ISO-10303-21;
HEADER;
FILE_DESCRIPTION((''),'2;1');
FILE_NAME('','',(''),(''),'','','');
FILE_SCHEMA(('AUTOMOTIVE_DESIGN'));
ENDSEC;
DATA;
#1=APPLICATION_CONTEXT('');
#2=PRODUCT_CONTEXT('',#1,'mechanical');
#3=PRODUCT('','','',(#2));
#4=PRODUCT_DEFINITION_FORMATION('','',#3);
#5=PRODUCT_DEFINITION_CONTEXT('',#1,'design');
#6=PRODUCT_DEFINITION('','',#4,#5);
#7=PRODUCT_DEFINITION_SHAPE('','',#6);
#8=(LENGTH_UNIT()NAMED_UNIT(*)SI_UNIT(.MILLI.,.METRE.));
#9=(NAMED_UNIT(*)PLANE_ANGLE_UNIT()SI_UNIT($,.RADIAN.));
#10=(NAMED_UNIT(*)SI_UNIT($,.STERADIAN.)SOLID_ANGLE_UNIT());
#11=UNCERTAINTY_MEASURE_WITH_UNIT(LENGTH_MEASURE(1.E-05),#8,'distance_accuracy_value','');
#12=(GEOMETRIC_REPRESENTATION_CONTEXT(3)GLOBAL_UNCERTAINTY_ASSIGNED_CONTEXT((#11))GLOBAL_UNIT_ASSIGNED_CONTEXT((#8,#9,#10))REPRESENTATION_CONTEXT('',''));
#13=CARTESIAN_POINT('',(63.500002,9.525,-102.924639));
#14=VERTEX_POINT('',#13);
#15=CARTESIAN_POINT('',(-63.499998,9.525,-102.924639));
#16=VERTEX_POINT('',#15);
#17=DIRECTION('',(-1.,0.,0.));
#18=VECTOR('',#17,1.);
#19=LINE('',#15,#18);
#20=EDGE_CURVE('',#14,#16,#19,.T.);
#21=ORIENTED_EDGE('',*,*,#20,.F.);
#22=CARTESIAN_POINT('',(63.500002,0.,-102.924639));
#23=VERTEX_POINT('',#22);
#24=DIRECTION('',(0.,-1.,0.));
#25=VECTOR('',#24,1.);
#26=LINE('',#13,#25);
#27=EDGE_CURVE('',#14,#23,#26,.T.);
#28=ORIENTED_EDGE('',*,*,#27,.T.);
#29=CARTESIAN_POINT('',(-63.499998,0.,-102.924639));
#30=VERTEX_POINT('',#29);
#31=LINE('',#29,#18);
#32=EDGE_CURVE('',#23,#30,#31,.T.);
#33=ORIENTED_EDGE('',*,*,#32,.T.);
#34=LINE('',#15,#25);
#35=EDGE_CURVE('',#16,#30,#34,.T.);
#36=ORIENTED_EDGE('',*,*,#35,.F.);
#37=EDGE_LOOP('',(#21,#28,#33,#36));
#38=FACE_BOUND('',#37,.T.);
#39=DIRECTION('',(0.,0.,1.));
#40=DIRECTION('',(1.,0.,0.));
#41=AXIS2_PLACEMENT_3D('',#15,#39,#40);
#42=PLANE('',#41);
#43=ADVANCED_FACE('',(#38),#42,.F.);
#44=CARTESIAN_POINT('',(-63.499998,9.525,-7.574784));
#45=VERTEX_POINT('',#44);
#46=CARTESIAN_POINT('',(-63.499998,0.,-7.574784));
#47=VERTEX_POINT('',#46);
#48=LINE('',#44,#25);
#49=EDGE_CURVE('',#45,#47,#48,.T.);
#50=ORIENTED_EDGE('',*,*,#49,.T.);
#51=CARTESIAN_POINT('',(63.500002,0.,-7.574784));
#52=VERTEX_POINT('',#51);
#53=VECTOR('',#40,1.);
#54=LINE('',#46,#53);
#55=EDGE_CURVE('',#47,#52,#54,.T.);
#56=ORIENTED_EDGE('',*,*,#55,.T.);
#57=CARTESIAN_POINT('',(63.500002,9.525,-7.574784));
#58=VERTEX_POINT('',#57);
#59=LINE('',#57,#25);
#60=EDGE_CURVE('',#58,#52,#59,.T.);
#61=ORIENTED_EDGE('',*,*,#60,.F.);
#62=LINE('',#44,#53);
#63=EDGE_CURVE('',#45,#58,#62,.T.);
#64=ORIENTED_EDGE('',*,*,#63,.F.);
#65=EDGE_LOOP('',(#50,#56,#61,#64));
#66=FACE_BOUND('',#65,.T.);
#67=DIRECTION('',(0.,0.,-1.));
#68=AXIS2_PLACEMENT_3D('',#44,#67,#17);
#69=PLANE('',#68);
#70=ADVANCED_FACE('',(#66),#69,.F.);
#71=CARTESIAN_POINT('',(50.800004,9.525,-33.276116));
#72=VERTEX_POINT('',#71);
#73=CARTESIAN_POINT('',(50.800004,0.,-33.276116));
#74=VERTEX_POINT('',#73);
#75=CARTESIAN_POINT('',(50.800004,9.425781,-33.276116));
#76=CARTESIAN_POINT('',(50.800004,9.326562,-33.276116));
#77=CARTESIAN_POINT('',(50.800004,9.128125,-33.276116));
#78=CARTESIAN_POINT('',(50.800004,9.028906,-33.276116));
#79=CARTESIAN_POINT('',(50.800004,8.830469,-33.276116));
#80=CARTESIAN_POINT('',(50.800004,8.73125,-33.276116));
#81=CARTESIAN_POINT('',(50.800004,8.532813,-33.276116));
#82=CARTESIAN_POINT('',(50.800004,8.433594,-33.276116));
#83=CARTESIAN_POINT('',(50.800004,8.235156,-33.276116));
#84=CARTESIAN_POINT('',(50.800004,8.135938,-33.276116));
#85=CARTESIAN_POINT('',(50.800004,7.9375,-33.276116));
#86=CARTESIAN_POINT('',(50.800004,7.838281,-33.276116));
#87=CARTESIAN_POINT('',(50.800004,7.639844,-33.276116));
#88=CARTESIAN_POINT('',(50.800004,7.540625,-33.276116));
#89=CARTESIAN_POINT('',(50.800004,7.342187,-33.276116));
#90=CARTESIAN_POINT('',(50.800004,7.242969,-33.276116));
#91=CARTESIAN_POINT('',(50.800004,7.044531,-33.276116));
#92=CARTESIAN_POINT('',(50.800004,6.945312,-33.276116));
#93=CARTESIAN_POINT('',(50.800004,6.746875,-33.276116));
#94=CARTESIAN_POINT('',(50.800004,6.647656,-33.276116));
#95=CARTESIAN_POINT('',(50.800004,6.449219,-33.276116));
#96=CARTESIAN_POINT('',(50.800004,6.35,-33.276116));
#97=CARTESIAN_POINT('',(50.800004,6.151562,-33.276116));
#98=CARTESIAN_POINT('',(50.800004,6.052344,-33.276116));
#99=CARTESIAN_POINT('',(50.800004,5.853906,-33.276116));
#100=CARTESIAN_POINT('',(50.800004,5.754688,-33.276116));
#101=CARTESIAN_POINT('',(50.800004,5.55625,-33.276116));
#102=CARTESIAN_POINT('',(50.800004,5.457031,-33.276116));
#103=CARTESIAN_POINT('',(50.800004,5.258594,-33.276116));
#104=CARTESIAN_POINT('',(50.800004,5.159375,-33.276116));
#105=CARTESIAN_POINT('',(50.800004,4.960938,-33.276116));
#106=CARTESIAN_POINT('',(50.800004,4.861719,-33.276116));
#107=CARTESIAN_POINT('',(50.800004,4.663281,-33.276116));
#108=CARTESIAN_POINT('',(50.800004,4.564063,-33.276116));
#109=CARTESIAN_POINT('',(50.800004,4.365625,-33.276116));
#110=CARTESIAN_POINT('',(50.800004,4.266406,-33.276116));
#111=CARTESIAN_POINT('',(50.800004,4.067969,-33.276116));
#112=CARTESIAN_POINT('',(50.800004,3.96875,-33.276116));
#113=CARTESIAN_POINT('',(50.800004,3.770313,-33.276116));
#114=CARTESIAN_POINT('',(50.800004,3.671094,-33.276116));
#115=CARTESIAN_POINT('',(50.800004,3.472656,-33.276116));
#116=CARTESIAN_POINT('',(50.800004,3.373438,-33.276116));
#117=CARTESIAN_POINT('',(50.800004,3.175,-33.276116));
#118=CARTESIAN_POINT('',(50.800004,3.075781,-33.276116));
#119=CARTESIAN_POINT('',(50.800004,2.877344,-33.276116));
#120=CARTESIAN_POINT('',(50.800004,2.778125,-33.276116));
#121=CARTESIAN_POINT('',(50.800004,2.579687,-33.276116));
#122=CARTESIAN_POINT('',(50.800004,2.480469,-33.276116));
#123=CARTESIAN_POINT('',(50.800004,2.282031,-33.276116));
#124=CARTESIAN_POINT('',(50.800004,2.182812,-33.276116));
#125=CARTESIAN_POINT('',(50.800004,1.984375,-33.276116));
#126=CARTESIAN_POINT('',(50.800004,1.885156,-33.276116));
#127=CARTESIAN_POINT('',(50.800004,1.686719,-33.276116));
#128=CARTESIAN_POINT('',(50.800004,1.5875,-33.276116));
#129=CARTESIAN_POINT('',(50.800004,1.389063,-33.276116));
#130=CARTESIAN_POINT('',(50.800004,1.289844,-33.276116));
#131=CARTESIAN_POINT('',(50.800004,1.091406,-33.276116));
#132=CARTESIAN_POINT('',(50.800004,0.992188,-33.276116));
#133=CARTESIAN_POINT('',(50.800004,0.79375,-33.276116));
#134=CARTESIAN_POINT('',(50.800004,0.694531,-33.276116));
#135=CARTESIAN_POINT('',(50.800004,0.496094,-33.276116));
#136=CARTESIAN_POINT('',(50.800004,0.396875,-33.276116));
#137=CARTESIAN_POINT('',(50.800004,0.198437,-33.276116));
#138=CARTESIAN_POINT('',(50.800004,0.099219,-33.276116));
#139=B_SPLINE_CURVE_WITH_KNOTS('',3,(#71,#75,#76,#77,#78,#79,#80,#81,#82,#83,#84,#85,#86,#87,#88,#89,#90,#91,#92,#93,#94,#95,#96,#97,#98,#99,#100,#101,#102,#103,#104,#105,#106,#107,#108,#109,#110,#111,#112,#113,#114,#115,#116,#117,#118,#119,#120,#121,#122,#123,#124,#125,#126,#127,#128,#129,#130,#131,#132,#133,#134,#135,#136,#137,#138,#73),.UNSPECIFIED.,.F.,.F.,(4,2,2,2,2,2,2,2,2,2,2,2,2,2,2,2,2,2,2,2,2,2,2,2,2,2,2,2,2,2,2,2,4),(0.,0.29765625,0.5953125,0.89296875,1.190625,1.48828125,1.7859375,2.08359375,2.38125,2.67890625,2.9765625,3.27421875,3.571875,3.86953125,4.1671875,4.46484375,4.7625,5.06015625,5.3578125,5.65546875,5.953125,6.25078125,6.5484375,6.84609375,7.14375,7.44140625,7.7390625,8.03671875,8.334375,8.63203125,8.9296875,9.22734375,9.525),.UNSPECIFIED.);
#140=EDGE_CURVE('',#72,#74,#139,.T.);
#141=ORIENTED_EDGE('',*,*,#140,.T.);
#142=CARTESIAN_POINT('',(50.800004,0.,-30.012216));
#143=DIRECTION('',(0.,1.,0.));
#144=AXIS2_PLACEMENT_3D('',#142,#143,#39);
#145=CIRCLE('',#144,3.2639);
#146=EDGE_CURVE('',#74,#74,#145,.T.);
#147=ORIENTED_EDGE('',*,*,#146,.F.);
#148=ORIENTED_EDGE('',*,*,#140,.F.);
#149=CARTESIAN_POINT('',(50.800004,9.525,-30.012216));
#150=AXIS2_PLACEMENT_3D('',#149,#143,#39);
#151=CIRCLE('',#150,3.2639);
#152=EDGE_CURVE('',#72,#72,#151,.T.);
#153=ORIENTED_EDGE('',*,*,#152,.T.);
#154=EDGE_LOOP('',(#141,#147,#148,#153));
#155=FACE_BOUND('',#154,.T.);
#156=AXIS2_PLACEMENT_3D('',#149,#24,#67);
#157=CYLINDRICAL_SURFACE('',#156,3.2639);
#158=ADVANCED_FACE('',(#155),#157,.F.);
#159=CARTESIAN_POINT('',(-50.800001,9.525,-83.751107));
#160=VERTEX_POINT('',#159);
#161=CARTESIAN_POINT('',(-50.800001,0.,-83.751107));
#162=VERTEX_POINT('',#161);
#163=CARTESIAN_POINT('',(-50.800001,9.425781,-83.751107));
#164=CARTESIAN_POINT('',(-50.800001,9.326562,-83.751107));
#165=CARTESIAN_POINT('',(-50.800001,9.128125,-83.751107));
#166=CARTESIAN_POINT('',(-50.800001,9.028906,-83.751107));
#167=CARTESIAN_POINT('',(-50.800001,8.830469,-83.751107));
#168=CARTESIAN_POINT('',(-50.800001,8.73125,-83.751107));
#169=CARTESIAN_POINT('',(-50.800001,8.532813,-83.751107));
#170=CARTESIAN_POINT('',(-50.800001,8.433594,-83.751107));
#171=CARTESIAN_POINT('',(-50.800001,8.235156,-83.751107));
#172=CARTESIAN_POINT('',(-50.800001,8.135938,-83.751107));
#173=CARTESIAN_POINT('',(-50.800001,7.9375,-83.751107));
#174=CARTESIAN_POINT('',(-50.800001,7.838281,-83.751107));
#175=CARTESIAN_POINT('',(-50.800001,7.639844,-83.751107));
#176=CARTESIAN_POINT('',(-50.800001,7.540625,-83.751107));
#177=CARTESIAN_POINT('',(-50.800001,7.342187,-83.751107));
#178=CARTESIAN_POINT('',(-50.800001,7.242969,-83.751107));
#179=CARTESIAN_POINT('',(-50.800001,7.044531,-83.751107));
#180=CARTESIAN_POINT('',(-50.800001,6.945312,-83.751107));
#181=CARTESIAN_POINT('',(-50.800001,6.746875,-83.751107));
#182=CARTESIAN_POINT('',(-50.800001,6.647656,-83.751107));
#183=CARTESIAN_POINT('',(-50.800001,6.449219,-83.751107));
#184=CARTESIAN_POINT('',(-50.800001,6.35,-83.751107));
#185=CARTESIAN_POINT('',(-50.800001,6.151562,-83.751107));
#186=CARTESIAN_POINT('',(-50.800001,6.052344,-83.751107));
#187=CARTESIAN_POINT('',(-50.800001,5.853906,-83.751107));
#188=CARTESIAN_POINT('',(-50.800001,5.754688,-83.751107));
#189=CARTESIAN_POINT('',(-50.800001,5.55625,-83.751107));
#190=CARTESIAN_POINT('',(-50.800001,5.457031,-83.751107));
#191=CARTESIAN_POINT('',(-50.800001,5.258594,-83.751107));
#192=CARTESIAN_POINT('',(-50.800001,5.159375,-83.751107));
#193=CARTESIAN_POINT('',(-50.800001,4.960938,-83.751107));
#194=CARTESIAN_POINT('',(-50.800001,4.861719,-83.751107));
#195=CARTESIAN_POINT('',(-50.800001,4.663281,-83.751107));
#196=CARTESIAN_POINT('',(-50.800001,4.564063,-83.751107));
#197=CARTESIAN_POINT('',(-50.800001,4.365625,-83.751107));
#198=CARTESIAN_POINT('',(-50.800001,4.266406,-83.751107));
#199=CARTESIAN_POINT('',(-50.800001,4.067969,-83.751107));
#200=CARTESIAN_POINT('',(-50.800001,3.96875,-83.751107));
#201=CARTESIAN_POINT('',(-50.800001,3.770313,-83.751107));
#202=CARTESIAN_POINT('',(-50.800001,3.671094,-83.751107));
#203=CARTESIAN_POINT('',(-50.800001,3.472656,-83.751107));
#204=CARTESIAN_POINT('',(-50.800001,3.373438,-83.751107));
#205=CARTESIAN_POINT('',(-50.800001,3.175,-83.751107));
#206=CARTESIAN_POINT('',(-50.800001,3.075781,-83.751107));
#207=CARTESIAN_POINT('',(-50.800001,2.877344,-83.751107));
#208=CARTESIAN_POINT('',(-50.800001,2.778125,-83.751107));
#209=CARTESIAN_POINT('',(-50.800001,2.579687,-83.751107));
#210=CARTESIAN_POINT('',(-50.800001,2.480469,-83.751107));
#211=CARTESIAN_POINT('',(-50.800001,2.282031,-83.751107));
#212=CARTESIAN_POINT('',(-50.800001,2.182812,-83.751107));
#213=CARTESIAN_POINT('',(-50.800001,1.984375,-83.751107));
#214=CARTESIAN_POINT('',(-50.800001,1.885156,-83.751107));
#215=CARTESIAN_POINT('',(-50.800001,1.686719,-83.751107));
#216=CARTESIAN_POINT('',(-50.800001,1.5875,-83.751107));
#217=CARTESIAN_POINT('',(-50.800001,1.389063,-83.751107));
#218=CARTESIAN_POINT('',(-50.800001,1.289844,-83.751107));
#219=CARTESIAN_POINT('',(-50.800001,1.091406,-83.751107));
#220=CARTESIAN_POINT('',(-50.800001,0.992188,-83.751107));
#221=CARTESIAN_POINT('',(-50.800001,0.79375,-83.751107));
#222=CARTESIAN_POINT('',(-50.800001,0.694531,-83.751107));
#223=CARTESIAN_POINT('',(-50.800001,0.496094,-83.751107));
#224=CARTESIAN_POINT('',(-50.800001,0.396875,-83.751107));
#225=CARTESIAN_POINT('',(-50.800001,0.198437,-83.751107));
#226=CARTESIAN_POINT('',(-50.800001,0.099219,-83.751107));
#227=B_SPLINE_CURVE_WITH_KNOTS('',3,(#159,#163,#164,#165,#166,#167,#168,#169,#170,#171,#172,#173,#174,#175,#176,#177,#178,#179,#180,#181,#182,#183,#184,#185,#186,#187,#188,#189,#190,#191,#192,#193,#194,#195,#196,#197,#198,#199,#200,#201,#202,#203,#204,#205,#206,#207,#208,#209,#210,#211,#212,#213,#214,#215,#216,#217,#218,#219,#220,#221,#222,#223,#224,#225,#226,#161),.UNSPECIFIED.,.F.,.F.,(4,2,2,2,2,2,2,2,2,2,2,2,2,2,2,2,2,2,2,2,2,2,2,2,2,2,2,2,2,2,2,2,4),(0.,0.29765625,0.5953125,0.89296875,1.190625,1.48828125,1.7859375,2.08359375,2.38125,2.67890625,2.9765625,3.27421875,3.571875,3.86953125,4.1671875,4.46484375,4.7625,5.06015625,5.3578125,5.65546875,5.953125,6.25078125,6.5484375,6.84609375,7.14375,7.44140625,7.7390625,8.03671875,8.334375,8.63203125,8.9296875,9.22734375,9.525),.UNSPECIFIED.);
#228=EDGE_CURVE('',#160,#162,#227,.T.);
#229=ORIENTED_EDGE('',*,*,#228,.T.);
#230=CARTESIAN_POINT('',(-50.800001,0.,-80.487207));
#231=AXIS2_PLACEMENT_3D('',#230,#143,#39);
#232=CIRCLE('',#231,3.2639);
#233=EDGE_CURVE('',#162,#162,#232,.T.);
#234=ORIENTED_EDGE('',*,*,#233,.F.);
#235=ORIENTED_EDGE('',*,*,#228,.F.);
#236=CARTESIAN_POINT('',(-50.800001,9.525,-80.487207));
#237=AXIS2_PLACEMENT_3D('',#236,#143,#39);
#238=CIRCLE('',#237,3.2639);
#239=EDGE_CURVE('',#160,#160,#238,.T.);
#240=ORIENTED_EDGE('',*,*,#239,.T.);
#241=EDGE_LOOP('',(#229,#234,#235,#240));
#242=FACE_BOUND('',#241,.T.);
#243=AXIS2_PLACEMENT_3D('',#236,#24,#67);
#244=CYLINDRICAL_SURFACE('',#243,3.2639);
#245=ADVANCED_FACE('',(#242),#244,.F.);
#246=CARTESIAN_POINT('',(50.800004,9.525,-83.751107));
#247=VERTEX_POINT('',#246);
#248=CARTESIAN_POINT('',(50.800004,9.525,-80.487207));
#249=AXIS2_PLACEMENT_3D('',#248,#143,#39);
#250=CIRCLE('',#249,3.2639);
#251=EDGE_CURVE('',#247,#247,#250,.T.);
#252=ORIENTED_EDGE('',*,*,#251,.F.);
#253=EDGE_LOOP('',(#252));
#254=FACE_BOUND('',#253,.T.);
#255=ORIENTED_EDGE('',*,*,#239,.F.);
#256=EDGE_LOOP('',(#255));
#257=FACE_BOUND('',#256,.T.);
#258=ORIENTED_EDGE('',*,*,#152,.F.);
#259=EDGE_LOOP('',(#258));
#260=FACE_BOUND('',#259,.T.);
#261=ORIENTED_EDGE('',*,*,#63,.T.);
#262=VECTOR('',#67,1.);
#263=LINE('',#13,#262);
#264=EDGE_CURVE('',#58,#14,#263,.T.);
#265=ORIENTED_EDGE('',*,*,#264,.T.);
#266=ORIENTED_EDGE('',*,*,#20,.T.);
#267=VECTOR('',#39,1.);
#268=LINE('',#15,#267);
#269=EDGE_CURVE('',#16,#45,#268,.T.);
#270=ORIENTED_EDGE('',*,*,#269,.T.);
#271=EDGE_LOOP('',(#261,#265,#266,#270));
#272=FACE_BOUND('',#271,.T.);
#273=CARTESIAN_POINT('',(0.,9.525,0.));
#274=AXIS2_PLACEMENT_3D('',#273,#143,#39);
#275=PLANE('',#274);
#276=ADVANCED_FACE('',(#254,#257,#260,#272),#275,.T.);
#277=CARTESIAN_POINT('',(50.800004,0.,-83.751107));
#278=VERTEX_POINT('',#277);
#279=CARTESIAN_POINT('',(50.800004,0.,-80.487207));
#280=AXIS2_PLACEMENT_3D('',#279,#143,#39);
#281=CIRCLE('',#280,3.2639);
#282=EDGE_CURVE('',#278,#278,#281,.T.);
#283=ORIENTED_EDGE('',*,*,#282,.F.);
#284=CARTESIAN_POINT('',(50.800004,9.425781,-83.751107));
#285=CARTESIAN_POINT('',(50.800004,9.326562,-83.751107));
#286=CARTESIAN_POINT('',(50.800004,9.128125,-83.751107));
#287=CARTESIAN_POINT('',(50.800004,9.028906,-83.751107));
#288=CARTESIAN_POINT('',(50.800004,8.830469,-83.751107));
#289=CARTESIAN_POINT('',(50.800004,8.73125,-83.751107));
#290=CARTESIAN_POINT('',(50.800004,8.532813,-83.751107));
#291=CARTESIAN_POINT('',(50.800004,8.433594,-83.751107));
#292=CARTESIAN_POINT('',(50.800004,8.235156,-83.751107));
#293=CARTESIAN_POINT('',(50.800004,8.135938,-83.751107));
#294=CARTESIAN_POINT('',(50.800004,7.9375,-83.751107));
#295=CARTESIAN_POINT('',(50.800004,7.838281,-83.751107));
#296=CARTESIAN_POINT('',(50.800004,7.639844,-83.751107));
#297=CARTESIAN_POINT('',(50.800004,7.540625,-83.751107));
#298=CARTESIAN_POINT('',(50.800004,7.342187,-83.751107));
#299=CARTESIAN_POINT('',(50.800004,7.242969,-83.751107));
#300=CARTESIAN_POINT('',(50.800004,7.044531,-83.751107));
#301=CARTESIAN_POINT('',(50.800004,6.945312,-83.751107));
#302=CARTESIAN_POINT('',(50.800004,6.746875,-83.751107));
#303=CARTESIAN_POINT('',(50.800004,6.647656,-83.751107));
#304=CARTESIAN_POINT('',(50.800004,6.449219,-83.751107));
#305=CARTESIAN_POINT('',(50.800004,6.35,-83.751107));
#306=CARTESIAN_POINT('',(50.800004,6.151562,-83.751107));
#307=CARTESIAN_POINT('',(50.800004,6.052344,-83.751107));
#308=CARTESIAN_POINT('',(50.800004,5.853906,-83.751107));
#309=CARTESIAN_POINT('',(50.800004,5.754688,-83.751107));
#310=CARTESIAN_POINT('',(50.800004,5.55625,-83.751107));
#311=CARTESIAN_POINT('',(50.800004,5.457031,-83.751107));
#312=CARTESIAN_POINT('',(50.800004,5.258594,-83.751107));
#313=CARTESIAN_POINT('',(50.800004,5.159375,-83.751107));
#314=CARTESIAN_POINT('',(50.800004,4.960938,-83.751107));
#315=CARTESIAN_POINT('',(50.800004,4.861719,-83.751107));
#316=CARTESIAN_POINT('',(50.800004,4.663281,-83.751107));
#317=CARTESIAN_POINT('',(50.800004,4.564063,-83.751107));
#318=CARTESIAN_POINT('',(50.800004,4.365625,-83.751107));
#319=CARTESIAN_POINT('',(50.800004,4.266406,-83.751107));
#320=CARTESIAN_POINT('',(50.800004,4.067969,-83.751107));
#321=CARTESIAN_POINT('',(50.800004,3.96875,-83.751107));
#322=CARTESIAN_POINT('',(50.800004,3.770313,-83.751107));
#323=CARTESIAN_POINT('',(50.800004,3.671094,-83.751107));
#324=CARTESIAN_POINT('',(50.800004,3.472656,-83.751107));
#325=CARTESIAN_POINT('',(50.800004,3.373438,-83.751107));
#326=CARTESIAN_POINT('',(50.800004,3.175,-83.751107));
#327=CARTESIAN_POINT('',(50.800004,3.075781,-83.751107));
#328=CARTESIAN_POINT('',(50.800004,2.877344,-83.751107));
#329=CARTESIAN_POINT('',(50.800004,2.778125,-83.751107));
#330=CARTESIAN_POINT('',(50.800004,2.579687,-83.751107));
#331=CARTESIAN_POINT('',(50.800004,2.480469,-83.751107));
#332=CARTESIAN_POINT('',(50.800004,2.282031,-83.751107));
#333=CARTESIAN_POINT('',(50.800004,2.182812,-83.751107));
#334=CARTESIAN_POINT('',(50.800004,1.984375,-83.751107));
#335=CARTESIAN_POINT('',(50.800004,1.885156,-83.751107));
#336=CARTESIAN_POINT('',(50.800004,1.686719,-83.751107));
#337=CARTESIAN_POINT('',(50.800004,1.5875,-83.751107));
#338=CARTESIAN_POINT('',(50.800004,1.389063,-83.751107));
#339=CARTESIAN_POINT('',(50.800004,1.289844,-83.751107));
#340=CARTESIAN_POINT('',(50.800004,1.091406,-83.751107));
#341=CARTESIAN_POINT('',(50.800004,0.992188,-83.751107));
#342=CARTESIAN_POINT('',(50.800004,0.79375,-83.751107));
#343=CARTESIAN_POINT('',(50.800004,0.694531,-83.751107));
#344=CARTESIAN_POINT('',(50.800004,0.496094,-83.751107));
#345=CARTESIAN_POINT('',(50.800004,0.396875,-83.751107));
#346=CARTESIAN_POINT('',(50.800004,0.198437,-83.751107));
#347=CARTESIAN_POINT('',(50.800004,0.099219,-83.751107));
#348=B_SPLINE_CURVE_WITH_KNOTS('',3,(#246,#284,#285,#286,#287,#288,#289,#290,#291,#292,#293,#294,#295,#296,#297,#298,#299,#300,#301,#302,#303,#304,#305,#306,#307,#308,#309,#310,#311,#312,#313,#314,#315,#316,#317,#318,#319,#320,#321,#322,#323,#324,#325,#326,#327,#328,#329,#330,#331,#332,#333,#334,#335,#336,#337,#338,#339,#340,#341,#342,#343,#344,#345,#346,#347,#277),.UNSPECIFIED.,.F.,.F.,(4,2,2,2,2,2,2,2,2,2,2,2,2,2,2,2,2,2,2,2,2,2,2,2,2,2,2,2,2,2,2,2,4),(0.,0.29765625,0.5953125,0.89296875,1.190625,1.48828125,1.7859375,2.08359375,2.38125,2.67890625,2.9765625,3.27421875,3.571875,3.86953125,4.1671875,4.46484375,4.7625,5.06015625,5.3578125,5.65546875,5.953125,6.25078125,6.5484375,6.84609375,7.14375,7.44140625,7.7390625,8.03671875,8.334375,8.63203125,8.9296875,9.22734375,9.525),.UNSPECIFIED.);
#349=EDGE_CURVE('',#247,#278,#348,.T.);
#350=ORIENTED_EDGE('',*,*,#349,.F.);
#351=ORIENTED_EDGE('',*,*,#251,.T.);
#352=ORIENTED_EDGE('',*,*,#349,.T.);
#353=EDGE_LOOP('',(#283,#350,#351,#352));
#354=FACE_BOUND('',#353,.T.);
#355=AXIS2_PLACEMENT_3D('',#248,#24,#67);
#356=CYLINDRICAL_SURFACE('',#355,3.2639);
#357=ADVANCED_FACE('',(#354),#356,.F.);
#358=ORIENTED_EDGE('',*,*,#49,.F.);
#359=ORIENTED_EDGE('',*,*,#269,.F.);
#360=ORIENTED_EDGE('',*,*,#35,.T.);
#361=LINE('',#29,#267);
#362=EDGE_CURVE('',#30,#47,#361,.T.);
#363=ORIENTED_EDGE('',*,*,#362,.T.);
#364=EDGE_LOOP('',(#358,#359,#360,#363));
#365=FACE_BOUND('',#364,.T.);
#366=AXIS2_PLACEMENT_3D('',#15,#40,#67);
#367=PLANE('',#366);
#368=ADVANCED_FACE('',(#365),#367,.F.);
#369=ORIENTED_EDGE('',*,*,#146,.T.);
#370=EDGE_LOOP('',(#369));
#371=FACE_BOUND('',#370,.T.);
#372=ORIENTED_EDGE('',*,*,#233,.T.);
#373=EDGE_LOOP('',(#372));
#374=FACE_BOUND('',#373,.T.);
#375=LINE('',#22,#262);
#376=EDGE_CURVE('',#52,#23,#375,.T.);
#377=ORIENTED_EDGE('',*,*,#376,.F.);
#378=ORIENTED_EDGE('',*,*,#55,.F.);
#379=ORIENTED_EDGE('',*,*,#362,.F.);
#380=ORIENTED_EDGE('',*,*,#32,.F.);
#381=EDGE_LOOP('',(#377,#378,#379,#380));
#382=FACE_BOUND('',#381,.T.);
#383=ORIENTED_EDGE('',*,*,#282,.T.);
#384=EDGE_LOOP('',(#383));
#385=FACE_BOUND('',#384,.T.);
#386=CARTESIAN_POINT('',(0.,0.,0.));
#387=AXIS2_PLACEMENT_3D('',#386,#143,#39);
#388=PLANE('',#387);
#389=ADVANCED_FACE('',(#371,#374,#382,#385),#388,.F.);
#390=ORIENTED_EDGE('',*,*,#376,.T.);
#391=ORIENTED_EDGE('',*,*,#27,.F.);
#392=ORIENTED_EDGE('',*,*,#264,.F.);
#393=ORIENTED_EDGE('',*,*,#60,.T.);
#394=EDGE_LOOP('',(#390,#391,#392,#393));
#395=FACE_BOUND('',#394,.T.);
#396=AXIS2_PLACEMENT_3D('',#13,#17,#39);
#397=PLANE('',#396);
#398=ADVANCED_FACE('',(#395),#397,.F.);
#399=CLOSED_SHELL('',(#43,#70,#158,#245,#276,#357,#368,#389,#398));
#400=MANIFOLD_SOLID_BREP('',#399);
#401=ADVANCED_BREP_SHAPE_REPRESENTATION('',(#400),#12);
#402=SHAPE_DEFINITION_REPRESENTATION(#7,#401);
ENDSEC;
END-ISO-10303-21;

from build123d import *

# Parameters (mm, degrees)
SKETCH1_W           = 127
SKETCH1_H           = 95.34985535
SKETCH1_R           = 3.2639
BOSS_EXTRUDE1_DEPTH = 9.525


with BuildPart() as part:
    # Sketch1 → Boss-Extrude1 (new body)
    with BuildSketch(Plane(origin=(0, 0, 0), x_dir=(1, 0, 0), z_dir=(0, 1, 0))):
        with Locations((1.506e-06, 55.24971147)):
            Rectangle(SKETCH1_W, SKETCH1_H)
        with Locations((-50.8000007, 80.487207029)):
            Circle(SKETCH1_R, mode=Mode.SUBTRACT)
        with Locations((50.800003712, 80.487207029)):
            Circle(SKETCH1_R, mode=Mode.SUBTRACT)
        with Locations((50.800003712, 30.012215911)):
            Circle(SKETCH1_R, mode=Mode.SUBTRACT)
    extrude(amount=BOSS_EXTRUDE1_DEPTH)


solid = part.part
